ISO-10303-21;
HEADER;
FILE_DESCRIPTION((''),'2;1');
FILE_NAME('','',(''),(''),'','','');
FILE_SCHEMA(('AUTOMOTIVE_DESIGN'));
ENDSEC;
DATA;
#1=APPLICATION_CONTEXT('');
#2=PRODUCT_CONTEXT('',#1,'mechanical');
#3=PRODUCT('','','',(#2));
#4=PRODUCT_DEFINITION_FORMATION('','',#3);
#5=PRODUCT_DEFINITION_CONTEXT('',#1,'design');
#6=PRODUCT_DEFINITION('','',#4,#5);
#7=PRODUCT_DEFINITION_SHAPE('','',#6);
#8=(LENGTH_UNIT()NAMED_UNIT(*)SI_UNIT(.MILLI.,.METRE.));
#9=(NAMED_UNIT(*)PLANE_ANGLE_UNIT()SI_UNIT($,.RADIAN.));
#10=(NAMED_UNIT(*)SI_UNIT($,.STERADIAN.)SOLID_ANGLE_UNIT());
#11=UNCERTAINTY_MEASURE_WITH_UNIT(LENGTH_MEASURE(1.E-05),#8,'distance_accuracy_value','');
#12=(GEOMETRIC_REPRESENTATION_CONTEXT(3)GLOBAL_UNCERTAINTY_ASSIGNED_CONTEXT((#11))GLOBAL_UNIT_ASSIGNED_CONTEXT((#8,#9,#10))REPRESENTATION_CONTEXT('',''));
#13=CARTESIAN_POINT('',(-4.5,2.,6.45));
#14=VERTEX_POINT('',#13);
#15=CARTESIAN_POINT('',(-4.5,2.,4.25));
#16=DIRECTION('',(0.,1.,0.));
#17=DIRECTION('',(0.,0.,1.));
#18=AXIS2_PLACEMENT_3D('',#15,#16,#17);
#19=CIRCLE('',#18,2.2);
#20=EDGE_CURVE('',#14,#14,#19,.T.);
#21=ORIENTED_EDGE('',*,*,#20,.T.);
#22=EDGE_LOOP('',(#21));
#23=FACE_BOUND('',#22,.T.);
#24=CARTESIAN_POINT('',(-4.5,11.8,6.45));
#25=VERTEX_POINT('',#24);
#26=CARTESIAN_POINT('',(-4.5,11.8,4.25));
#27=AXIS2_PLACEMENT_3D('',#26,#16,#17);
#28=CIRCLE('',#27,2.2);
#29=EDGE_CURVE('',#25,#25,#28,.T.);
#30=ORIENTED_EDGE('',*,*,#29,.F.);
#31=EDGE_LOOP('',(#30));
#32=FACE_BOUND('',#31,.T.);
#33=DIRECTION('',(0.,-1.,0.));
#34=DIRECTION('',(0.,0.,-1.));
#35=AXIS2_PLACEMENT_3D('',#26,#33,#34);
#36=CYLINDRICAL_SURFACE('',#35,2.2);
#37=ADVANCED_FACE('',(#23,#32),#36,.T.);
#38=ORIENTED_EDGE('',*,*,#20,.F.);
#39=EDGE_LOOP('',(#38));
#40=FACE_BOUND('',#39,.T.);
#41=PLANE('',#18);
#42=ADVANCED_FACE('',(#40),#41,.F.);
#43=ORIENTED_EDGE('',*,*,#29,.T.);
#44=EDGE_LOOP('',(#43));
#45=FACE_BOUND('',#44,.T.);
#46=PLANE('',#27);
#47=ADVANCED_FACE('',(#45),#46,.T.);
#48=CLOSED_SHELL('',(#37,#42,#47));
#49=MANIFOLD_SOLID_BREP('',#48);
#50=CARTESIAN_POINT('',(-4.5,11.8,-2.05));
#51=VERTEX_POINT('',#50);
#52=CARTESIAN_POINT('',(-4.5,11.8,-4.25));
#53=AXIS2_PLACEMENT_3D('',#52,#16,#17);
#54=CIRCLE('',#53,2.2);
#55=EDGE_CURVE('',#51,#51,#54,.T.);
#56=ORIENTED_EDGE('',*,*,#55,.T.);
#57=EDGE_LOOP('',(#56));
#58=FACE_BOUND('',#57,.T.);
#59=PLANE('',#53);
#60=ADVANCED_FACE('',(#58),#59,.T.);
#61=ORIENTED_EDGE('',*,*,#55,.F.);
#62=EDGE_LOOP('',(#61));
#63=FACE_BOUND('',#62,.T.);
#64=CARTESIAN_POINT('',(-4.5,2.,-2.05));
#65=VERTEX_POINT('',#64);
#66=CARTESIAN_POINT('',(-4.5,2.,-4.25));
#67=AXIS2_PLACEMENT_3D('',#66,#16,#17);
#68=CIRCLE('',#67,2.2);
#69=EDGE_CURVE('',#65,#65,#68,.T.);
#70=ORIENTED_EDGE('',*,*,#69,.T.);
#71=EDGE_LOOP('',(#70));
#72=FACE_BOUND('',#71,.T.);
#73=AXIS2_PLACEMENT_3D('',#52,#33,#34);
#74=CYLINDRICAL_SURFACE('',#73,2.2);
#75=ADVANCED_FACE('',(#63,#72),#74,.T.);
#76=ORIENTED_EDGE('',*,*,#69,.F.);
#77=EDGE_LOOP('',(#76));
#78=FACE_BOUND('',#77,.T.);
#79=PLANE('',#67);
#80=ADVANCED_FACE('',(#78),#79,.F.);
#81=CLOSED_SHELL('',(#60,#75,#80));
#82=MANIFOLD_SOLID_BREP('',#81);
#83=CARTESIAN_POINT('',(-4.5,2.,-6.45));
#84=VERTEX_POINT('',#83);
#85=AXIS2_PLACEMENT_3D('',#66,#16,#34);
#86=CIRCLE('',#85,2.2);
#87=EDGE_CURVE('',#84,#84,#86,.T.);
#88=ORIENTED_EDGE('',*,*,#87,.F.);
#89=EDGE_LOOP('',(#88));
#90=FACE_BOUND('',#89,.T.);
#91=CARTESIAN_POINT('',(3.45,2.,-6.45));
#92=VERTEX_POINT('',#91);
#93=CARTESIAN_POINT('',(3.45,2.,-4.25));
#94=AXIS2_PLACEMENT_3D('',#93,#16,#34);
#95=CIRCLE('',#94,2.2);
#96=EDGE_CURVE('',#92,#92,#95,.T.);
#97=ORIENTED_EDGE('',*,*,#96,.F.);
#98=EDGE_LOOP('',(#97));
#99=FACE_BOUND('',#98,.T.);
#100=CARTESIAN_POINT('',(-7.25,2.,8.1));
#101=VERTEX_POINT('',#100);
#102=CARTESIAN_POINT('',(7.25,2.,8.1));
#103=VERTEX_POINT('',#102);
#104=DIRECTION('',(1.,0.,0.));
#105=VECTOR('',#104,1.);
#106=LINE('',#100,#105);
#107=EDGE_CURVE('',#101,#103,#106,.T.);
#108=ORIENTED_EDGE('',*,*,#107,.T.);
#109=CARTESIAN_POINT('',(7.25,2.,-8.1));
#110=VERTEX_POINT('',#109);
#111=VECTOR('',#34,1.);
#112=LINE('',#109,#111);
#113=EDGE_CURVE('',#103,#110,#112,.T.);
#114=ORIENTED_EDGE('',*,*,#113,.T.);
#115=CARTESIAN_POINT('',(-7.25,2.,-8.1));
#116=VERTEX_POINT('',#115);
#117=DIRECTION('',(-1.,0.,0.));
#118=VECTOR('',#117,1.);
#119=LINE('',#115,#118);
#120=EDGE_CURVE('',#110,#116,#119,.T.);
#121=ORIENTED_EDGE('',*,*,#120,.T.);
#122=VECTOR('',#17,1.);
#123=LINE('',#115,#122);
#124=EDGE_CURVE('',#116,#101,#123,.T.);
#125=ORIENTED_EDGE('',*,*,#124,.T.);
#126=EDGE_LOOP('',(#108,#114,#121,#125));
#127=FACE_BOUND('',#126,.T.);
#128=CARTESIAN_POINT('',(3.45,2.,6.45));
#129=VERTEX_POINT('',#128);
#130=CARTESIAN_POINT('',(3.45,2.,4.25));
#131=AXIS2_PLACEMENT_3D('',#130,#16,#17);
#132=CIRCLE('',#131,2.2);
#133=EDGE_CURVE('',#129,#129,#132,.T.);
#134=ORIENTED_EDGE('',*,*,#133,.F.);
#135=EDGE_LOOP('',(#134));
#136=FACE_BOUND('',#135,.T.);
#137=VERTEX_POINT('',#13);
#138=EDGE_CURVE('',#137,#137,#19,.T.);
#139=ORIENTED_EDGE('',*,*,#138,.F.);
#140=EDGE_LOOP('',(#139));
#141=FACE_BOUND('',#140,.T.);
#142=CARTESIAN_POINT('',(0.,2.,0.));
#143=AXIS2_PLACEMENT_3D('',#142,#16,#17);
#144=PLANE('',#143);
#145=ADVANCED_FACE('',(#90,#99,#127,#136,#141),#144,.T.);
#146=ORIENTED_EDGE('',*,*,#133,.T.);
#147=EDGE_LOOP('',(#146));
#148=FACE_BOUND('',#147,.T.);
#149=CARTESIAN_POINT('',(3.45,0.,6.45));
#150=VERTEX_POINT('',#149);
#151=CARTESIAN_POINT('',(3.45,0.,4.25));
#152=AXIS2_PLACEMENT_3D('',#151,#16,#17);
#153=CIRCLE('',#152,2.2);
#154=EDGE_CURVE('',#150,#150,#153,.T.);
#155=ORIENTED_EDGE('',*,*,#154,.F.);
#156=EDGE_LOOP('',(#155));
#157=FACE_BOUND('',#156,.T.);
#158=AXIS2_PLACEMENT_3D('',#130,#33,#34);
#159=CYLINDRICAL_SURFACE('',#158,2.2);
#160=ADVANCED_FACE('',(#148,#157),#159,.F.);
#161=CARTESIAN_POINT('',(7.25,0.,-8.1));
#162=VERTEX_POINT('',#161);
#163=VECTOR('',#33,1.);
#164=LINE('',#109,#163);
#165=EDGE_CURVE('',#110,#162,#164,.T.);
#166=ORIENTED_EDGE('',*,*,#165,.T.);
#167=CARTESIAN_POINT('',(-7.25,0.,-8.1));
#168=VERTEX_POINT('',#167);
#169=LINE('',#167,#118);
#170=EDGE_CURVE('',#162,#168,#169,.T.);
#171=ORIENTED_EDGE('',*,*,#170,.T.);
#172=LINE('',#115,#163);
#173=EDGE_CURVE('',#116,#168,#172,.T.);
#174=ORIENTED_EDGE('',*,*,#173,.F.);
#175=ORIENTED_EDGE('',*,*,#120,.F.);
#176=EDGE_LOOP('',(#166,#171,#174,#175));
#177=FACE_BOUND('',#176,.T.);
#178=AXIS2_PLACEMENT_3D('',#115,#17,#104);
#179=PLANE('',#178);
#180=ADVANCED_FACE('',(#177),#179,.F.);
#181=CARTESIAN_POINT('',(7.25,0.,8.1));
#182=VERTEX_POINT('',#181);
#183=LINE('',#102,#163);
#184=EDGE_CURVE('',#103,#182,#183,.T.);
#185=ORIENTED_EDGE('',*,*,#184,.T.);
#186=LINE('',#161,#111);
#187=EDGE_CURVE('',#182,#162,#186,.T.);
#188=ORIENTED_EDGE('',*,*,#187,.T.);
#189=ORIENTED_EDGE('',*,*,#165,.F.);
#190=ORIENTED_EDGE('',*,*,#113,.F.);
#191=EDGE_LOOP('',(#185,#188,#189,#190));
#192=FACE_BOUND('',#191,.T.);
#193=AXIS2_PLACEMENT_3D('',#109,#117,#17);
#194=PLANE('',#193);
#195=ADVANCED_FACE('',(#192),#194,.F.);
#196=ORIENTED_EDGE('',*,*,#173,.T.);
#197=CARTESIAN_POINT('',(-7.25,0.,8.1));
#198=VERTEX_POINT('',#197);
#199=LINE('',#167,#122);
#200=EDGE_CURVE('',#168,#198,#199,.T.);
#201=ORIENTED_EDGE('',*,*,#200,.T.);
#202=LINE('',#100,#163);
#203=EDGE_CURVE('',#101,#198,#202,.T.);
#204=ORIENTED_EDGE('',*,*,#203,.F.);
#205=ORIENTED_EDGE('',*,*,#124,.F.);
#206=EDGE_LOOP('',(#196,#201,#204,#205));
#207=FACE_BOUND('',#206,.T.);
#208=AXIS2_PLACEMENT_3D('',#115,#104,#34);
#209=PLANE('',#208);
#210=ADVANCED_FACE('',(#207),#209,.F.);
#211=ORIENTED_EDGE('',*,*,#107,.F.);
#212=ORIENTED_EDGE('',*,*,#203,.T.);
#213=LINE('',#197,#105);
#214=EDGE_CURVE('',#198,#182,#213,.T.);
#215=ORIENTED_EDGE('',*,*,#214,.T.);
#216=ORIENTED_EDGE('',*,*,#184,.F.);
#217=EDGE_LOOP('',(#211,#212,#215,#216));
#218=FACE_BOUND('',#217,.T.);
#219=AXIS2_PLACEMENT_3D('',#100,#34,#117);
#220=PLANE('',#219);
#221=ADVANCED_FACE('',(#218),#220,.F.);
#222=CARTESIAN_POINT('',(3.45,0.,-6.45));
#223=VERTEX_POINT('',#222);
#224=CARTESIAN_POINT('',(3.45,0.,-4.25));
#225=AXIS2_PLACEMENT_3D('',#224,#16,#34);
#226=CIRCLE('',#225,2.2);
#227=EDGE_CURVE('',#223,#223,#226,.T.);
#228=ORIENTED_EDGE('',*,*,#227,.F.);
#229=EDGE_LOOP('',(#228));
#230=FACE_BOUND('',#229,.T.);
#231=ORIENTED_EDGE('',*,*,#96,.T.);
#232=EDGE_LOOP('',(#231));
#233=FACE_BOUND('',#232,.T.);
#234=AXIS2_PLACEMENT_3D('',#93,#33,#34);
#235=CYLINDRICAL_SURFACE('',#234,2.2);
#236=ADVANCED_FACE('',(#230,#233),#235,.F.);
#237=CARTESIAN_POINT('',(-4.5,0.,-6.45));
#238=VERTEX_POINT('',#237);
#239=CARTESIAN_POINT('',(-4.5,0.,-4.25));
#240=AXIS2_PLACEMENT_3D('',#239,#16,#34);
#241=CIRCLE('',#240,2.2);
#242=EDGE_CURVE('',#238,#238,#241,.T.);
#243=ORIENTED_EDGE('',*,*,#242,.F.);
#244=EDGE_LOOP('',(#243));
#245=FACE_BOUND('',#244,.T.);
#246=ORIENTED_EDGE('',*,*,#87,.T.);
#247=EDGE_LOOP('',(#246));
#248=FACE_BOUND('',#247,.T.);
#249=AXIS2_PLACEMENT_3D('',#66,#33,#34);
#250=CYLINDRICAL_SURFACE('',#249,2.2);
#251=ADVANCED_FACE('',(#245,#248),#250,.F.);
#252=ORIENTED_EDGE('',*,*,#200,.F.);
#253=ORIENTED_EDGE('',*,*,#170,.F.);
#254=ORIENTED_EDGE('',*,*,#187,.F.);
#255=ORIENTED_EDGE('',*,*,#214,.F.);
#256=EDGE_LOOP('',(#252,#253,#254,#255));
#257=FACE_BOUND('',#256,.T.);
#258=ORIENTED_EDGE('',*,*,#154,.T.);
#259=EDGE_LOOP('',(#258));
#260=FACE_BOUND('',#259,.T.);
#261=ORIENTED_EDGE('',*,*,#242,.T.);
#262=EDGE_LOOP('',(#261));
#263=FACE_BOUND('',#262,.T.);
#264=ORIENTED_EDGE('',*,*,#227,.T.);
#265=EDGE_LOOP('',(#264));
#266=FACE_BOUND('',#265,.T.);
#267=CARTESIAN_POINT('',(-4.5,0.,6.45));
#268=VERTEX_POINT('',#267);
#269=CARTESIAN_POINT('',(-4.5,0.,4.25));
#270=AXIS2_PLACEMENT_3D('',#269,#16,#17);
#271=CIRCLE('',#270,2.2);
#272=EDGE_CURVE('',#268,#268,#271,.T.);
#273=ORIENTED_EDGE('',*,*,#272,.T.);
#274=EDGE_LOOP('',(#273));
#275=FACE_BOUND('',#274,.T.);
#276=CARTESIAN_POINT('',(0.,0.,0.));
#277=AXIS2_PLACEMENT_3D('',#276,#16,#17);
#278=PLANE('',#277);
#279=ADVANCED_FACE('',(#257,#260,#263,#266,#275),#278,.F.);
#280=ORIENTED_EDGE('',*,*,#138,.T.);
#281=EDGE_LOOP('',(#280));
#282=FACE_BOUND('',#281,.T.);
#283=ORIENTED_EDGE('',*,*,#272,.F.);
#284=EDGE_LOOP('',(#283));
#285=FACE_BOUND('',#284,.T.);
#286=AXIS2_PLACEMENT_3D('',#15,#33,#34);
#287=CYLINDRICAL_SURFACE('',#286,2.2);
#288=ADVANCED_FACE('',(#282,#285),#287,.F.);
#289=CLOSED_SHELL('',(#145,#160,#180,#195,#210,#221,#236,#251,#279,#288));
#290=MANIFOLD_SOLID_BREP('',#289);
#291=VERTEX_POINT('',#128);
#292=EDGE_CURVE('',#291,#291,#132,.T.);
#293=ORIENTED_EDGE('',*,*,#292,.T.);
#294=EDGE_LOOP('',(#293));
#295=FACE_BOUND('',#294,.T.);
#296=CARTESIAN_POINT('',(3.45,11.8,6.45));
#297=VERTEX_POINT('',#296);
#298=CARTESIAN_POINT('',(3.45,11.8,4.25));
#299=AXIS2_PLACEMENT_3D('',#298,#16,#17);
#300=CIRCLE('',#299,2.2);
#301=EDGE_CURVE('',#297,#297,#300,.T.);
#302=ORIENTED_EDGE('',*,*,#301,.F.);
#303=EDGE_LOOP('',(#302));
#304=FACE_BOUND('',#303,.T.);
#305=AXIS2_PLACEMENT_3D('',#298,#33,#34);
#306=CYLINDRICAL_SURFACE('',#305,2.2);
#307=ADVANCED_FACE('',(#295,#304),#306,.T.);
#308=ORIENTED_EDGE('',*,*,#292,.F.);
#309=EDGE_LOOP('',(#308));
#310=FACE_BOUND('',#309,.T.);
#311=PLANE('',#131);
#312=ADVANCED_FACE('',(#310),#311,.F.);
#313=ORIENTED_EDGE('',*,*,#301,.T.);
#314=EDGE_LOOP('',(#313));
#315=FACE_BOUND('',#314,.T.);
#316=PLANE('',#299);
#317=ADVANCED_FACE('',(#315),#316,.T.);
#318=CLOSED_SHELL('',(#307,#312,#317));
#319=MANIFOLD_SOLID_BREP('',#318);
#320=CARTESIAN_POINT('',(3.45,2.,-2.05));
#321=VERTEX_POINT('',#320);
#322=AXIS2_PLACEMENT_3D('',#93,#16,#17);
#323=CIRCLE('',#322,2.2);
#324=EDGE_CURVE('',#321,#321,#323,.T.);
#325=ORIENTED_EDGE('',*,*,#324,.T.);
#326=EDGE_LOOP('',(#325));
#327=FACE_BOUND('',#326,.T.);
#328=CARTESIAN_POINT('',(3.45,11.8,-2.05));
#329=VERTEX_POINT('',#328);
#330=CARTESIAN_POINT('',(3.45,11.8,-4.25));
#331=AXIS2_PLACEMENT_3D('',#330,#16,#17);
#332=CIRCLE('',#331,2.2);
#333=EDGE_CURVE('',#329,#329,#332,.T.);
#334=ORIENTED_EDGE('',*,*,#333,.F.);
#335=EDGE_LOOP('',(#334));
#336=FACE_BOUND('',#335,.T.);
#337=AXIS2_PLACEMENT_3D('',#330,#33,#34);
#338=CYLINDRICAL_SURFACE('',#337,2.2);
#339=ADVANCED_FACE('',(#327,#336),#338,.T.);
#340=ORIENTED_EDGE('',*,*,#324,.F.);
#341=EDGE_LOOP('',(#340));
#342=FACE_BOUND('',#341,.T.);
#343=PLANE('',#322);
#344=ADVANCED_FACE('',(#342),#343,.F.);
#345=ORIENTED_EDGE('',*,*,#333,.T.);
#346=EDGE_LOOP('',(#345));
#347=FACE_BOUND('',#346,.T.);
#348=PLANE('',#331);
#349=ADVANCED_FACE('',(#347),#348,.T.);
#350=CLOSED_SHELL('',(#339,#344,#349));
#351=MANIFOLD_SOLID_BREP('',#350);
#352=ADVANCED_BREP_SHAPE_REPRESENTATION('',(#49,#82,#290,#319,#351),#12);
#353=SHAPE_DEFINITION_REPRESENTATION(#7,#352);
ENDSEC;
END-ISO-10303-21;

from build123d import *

# Parameters (mm, degrees)
SKETCH1_W             = 14.5
SKETCH1_H             = 16.2
SKETCH1_R             = 2.2
BOSS_EXTRUDE2_DEPTH   = 2
SKETCH2_R             = 2.2
BOSS_EXTRUDE3_DEPTH   = 9.8
BOSS_EXTRUDE3_2_DEPTH = 9.8
BOSS_EXTRUDE3_3_DEPTH = 9.8
BOSS_EXTRUDE3_4_DEPTH = 9.8


with BuildPart() as part:
    # Sketch1 → Boss-Extrude2 (new body)
    with BuildSketch(Plane(origin=(0, 0, 0), x_dir=(1, 0, 0), z_dir=(0, 1, 0))):
        Rectangle(SKETCH1_W, SKETCH1_H)
        with Locations(Location((3.45, -4.25, 0), (0, 0, 270))):
            Circle(SKETCH1_R, mode=Mode.SUBTRACT)
        with Locations(Location((-4.5, -4.25, 0), (0, 0, 270))):
            Circle(SKETCH1_R, mode=Mode.SUBTRACT)
        with Locations(Location((-4.5, 4.25, 0), (0, 0, 90))):
            Circle(SKETCH1_R, mode=Mode.SUBTRACT)
        with Locations(Location((3.45, 4.25, 0), (0, 0, 90))):
            Circle(SKETCH1_R, mode=Mode.SUBTRACT)
    extrude(amount=BOSS_EXTRUDE2_DEPTH)


with BuildPart() as body_2:
    # Sketch2 → Boss-Extrude3 (new body)
    with BuildSketch(Plane(origin=(0, 2, 0), x_dir=(1, 0, 0), z_dir=(0, 1, 0))):
        with Locations(Location((3.45, 4.25, 0), (0, 0, 270))):
            Circle(SKETCH2_R)
    extrude(amount=BOSS_EXTRUDE3_DEPTH)


with BuildPart() as body_3:
    # Sketch2 → Boss-Extrude3 2 (new body)
    with BuildSketch(Plane(origin=(0, 2, 0), x_dir=(1, 0, 0), z_dir=(0, 1, 0))):
        with Locations(Location((-4.5, 4.25, 0), (0, 0, 270))):
            Circle(SKETCH2_R)
    extrude(amount=BOSS_EXTRUDE3_2_DEPTH)


with BuildPart() as body_4:
    # Sketch2 → Boss-Extrude3 3 (new body)
    with BuildSketch(Plane(origin=(0, 2, 0), x_dir=(1, 0, 0), z_dir=(0, 1, 0))):
        with Locations(Location((3.45, -4.25, 0), (0, 0, 270))):
            Circle(SKETCH2_R)
    extrude(amount=BOSS_EXTRUDE3_3_DEPTH)


with BuildPart() as body_5:
    # Sketch2 → Boss-Extrude3 4 (new body)
    with BuildSketch(Plane(origin=(0, 2, 0), x_dir=(1, 0, 0), z_dir=(0, 1, 0))):
        with Locations(Location((-4.5, -4.25, 0), (0, 0, 270))):
            Circle(SKETCH2_R)
    extrude(amount=BOSS_EXTRUDE3_4_DEPTH)


solid = Compound([part.part, body_2.part, body_3.part, body_4.part, body_5.part])
